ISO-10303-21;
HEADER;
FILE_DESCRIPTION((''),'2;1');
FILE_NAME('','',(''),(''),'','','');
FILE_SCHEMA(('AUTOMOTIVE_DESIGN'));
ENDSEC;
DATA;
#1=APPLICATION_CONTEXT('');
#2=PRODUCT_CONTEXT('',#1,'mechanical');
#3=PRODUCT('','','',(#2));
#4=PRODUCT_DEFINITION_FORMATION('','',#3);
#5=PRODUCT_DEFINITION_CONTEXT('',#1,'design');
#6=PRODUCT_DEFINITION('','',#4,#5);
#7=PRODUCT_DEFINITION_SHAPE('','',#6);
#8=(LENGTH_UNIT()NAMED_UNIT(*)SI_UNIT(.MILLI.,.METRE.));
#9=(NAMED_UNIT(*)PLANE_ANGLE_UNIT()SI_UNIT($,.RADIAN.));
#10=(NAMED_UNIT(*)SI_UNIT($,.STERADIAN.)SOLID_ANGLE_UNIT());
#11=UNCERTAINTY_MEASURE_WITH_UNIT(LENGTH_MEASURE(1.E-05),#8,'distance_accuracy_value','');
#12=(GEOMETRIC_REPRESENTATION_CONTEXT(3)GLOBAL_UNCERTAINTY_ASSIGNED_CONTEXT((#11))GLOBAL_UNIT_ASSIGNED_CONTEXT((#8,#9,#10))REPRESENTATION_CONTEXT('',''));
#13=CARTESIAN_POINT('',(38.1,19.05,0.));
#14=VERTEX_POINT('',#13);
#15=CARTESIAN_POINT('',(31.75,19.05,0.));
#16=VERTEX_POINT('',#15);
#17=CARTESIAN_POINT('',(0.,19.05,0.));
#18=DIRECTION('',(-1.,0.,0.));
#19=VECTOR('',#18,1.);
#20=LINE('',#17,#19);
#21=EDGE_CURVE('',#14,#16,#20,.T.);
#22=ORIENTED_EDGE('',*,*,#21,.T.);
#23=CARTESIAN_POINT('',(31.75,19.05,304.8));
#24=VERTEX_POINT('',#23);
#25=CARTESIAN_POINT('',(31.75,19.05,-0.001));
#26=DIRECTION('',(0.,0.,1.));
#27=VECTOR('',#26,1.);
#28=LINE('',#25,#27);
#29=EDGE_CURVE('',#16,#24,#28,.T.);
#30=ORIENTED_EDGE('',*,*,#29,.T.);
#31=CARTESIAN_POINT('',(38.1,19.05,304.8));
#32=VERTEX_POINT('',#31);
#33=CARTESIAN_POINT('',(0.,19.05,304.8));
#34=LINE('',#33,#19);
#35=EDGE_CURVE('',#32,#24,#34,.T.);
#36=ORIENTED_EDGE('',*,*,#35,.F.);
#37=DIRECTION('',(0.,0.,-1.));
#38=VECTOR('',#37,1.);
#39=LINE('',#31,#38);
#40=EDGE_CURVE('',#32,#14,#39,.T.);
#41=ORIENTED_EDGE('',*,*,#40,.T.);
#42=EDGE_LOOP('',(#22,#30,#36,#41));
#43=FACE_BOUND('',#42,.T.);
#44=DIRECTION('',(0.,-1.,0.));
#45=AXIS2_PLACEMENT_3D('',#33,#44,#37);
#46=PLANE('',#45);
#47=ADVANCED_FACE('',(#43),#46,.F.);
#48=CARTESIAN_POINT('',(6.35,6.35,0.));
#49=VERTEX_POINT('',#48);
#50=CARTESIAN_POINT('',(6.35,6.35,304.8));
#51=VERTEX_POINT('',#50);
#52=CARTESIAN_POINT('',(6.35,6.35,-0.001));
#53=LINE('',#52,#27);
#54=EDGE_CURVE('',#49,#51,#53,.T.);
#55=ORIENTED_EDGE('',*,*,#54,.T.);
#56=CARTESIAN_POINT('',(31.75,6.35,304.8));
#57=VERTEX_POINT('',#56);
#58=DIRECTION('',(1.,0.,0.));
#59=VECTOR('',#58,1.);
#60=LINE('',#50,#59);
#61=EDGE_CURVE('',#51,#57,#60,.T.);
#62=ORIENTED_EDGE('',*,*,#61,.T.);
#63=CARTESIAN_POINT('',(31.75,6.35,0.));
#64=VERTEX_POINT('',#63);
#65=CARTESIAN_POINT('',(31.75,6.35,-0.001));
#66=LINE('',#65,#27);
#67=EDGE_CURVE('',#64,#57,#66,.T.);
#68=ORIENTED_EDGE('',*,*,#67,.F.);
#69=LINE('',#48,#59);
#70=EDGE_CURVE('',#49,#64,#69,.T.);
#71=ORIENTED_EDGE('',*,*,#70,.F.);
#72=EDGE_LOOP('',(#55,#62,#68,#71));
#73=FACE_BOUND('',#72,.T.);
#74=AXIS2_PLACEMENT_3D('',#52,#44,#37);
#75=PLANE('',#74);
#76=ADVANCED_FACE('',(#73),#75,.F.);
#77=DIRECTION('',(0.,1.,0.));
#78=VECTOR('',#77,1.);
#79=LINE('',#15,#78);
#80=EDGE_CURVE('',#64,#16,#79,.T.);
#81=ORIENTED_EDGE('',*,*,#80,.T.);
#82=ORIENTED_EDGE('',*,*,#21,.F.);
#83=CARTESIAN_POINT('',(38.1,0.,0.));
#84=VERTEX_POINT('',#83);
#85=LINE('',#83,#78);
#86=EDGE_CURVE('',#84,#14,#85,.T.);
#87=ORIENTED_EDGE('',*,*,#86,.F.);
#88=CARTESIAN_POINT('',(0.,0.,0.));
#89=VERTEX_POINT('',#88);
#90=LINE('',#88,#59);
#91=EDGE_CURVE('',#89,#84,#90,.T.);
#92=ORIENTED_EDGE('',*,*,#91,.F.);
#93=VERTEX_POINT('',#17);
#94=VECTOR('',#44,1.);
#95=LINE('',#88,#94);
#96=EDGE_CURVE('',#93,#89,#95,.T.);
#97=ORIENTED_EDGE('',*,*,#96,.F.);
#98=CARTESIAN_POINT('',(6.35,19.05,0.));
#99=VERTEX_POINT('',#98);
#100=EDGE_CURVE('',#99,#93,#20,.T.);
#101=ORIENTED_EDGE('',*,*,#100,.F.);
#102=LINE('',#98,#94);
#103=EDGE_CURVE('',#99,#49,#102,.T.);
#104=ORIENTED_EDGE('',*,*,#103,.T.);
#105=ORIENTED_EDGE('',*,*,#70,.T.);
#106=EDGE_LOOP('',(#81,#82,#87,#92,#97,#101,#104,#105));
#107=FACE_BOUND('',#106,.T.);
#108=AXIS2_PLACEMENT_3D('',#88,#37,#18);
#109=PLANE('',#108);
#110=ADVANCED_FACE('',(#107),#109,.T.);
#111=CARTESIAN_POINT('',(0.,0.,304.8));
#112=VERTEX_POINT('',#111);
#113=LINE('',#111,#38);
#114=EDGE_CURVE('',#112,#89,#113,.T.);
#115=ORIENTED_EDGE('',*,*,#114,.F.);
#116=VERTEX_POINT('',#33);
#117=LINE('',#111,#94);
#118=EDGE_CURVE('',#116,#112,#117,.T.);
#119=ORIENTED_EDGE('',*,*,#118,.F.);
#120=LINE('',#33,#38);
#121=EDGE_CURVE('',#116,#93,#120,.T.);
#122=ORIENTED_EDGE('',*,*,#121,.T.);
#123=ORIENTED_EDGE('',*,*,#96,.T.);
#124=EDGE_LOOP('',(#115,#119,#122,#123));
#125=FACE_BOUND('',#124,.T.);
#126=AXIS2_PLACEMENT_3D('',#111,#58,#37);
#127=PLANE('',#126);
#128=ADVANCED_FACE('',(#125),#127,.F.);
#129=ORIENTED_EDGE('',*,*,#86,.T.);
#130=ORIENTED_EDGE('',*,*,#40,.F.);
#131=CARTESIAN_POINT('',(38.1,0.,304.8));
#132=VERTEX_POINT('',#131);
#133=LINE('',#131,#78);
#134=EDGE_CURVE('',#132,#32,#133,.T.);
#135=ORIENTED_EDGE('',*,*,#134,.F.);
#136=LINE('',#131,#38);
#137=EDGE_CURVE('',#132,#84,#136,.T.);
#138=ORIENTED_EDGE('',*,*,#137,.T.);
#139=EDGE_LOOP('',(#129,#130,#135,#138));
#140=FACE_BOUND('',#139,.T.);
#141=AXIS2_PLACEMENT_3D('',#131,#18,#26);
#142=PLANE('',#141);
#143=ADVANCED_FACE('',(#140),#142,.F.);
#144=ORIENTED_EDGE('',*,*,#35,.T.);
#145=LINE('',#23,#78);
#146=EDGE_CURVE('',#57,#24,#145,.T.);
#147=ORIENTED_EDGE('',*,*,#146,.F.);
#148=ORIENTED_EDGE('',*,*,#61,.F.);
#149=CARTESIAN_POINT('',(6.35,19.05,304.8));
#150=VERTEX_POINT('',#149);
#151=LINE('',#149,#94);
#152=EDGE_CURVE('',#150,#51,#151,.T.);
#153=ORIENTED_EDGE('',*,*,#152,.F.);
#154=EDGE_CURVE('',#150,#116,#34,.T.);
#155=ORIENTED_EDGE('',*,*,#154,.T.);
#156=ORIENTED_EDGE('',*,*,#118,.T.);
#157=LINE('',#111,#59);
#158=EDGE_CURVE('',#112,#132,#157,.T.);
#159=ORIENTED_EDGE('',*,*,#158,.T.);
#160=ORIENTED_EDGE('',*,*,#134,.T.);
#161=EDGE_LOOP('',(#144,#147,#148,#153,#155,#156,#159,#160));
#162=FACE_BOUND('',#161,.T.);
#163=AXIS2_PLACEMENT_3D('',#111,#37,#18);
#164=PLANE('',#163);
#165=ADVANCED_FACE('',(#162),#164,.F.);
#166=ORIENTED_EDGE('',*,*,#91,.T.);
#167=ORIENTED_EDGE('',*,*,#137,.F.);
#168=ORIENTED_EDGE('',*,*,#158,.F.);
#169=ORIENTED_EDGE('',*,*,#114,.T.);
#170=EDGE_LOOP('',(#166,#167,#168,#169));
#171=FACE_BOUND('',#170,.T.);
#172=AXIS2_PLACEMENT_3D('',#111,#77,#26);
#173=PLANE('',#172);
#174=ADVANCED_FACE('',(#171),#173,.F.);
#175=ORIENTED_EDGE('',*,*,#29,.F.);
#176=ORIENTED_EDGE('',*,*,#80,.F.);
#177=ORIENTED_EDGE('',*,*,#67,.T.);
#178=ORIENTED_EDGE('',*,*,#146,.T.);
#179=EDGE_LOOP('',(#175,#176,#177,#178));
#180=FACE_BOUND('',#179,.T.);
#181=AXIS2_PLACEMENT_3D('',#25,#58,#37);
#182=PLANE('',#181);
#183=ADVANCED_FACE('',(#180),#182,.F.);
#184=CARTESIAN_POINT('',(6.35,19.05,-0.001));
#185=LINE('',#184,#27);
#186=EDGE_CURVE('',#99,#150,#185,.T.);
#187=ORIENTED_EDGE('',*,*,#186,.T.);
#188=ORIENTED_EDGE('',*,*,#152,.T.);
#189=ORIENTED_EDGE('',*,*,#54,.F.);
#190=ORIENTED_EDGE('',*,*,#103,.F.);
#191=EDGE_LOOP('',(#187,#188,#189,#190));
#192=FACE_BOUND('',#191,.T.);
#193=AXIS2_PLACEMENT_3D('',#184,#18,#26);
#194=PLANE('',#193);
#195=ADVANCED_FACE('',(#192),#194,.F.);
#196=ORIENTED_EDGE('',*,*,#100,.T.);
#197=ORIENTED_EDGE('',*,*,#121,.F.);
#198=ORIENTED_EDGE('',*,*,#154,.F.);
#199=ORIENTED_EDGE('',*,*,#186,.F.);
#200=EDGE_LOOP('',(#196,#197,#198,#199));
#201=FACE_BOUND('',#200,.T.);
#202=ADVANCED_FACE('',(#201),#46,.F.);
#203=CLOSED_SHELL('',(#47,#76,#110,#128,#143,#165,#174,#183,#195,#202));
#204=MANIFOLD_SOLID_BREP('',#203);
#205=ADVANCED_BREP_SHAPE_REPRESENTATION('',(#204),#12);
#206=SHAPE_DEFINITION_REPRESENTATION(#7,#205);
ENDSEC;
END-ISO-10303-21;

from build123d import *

# Parameters (mm, degrees)
SKETCH1_W           = 38.1
SKETCH1_H           = 19.05
BOSS_EXTRUDE1_DEPTH = 304.8
CUT_EXTRUDE1_REACH  = 309.762
SKETCH2_W           = 25.4
SKETCH2_H           = 12.7


with BuildPart() as part:
    # Sketch1 → Boss-Extrude1 (new body)
    with BuildSketch(Plane.XY):
        with Locations((19.05, 9.525)):
            Rectangle(SKETCH1_W, SKETCH1_H)
    extrude(amount=BOSS_EXTRUDE1_DEPTH)

    # Sketch2 → Cut-Extrude1 (cut, up to next)
    with BuildSketch(Plane.XY.offset(304.8), mode=Mode.PRIVATE) as cut_extrude1_sk1:
        with Locations((19.05, 12.7)):
            Rectangle(SKETCH2_W, SKETCH2_H)
    cut_extrude1_tool1 = extrude(cut_extrude1_sk1.sketch, amount=-CUT_EXTRUDE1_REACH, mode=Mode.PRIVATE) & part.part
    add(cut_extrude1_tool1.solids().sort_by_distance((19.05, 12.7, 304.8))[0], mode=Mode.SUBTRACT)


solid = part.part
